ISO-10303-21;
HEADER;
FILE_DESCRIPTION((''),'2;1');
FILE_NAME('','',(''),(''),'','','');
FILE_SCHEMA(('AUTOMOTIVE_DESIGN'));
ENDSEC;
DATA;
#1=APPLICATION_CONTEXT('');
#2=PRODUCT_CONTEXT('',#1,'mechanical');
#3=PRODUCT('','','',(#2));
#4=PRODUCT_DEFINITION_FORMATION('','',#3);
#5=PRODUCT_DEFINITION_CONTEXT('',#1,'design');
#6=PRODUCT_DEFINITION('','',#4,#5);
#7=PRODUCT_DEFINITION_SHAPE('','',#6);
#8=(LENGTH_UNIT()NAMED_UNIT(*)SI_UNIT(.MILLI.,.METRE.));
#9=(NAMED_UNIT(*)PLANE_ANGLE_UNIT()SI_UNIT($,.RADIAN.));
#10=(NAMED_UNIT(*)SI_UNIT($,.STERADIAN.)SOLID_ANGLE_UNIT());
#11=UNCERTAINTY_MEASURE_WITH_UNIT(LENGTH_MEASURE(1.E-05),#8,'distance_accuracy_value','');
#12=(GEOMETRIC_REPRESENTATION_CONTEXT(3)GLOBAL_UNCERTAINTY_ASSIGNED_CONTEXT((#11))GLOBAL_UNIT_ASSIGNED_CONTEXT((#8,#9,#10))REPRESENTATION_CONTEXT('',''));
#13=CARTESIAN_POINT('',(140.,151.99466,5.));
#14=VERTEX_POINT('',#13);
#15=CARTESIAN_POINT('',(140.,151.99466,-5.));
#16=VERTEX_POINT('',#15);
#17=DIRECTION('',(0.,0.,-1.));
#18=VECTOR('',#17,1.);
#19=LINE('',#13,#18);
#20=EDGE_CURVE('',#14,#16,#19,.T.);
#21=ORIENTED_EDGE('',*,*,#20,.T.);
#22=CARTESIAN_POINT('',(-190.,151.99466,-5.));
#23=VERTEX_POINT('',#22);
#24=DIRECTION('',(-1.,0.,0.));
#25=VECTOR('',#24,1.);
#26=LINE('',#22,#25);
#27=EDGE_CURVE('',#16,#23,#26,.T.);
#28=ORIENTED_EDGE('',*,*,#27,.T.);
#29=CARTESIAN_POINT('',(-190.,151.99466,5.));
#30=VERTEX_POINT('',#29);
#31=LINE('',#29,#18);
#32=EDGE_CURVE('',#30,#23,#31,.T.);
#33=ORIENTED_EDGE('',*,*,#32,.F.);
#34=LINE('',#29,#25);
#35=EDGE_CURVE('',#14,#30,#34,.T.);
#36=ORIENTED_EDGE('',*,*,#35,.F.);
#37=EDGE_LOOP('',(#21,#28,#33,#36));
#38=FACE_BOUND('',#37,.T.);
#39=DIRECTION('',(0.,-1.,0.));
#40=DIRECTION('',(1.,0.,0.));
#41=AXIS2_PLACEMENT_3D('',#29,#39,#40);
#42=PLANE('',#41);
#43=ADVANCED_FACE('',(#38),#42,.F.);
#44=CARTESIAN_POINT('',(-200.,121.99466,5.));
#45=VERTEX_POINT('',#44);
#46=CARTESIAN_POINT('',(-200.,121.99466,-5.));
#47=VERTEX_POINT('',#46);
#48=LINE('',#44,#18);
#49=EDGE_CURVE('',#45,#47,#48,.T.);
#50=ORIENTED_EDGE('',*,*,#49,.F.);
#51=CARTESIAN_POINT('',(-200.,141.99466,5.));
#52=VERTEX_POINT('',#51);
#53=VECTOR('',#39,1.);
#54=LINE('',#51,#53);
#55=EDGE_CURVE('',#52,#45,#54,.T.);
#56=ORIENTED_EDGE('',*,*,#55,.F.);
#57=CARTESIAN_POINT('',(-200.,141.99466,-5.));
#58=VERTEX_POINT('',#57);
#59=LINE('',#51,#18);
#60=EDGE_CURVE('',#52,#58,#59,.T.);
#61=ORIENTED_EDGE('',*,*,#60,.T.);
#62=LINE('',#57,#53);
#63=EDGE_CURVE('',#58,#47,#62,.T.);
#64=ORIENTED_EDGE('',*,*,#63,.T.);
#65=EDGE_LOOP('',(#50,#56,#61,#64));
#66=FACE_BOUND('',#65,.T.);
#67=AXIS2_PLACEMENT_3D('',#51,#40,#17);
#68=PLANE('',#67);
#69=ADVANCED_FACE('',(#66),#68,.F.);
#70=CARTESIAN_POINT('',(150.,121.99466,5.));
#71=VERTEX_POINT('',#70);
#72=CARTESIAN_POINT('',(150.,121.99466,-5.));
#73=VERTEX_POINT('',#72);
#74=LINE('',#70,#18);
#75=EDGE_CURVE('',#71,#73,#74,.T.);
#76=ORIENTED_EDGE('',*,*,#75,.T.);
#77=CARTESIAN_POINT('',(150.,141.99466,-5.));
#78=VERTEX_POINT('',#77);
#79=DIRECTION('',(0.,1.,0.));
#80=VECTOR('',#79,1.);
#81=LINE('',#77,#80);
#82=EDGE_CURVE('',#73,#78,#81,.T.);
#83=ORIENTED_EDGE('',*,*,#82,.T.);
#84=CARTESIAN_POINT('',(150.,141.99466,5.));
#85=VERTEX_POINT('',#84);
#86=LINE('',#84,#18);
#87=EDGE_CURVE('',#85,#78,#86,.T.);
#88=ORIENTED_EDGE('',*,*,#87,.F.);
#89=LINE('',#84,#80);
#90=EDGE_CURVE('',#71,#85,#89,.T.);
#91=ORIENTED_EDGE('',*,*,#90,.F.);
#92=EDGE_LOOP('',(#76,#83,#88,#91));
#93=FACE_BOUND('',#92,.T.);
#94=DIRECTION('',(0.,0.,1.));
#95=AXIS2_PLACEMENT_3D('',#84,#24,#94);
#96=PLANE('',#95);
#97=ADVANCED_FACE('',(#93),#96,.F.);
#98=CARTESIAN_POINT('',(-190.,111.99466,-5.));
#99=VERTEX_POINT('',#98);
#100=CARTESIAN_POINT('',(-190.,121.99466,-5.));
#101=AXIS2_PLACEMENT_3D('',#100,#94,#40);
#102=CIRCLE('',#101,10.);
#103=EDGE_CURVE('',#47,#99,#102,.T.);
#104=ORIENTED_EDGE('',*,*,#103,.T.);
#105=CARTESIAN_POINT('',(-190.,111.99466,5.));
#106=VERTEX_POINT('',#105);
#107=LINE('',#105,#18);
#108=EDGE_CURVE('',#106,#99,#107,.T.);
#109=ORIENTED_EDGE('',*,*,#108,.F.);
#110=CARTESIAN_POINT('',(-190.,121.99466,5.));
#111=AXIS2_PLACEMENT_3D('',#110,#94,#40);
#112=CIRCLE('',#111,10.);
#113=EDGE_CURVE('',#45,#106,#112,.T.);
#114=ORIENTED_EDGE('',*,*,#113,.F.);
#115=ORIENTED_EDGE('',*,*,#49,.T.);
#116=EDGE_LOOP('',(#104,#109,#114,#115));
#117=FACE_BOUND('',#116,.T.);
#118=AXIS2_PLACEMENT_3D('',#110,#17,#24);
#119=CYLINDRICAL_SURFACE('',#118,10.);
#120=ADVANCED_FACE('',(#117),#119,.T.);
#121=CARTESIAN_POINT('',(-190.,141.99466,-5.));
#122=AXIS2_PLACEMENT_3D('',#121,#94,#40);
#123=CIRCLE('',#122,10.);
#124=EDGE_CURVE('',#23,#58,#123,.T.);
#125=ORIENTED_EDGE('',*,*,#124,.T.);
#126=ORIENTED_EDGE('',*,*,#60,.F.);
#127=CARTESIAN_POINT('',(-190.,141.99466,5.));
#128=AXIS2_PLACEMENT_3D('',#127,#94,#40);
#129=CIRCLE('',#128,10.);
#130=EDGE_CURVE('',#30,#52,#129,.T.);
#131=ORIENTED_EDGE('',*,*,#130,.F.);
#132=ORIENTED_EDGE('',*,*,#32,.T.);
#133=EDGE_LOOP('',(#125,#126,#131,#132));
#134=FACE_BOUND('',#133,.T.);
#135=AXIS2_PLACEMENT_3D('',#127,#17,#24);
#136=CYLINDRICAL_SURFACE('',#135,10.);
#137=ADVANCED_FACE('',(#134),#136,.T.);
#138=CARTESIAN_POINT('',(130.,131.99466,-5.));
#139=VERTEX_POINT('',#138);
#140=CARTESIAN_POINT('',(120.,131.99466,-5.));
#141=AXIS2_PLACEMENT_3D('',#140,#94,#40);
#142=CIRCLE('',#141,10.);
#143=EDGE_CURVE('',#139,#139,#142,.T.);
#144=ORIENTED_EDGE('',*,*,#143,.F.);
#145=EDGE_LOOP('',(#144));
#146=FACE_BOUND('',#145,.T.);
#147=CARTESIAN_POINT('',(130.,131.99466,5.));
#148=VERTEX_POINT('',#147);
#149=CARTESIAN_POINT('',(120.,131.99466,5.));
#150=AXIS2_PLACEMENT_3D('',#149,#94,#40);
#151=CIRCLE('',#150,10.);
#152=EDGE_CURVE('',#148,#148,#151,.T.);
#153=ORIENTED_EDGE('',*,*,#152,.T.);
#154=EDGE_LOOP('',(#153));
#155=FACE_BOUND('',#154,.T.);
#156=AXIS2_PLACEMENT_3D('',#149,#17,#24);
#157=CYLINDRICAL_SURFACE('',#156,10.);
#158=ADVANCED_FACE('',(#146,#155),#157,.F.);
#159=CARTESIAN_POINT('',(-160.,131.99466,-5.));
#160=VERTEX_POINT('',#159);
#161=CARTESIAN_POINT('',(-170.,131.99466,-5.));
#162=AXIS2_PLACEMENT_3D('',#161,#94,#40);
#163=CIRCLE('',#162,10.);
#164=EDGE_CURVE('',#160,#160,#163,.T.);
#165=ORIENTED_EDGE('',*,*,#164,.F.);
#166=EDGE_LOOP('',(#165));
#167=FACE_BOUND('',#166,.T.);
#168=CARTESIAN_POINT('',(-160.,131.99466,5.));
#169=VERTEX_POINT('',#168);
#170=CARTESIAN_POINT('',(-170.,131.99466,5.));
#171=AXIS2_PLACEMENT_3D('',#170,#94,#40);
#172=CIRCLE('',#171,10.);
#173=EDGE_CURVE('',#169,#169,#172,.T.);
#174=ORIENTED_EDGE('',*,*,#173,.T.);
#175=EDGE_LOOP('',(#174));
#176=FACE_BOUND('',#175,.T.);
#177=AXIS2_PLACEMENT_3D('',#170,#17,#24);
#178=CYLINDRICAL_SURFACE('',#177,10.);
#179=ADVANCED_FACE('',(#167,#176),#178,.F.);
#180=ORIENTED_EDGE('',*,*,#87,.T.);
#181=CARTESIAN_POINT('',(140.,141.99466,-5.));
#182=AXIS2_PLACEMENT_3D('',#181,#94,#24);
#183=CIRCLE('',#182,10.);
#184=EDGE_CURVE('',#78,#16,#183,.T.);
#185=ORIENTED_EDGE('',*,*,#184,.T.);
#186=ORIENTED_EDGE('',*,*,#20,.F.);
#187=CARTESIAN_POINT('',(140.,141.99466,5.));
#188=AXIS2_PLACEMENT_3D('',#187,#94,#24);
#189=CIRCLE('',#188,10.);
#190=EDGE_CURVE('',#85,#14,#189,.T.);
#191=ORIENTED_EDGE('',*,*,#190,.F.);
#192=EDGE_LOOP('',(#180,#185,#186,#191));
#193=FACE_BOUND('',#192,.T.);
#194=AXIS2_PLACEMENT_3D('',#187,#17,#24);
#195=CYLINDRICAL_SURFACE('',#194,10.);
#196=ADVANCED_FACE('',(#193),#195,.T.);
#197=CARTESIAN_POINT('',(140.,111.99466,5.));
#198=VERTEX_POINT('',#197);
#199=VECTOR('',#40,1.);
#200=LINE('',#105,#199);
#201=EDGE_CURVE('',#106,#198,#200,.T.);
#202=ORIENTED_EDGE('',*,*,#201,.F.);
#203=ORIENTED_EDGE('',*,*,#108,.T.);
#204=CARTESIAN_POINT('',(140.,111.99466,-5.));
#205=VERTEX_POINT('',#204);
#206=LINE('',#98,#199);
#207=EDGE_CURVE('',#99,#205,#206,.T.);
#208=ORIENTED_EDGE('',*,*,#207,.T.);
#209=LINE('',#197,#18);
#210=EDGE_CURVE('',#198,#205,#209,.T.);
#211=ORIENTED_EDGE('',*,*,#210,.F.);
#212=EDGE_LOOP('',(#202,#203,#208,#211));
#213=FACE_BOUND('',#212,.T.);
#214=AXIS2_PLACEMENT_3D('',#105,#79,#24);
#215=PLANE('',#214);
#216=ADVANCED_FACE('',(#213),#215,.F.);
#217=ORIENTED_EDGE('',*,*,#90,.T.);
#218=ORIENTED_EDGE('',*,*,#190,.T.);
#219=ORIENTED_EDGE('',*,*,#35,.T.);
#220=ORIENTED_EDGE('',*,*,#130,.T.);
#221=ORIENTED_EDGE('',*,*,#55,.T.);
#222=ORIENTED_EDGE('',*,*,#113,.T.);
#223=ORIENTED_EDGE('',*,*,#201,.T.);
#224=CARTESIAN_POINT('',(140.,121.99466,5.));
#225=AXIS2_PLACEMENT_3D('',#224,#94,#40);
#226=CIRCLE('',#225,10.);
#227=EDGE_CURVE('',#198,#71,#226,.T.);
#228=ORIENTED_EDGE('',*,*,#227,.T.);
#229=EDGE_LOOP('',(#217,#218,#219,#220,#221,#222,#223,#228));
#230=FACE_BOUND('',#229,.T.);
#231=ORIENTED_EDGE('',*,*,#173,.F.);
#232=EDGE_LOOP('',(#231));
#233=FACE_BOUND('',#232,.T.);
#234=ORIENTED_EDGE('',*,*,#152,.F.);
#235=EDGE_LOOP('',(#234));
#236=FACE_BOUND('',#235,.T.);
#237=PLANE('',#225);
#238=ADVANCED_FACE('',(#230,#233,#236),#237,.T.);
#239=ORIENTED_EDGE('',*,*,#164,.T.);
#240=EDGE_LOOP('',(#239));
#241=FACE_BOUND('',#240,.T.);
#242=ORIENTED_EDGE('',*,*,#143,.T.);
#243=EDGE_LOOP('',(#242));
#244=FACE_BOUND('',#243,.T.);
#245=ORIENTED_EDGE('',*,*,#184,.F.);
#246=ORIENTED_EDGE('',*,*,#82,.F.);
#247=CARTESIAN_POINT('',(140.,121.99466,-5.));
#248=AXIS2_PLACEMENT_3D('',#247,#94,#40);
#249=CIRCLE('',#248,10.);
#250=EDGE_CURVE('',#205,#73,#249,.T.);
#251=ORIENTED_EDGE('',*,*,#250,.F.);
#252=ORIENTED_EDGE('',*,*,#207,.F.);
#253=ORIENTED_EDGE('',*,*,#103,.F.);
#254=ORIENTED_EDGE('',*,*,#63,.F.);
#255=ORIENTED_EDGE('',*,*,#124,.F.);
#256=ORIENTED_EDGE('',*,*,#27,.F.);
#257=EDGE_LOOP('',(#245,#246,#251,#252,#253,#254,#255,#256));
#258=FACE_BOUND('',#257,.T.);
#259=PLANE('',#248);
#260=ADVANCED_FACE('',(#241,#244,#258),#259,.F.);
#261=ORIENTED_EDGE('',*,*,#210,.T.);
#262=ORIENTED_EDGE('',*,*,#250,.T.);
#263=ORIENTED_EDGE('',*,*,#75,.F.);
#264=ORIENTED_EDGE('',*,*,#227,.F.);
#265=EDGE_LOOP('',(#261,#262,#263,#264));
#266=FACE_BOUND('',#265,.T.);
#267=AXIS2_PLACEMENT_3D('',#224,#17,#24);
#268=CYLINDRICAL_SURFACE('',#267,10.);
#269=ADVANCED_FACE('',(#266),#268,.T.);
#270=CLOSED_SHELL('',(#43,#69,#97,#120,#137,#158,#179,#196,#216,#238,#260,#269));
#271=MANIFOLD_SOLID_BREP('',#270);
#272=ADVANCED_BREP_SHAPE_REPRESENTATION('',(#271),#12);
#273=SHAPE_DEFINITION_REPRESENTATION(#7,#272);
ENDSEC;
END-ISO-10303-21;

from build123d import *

# Parameters (mm, degrees)
SKETCH1_R           = 10
BOSS_EXTRUDE1_DEPTH = 5


with BuildPart() as part:
    # Sketch1 → Boss-Extrude1 (new body, symmetric)
    with BuildSketch(Plane.XY):
        with BuildLine():
            Line((-190, 151.994660309), (140, 151.994660309))
            ThreePointArc((140, 151.994660309), (147.071067812, 149.065728121), (150, 141.994660309))
            Line((150, 141.994660309), (150, 121.994660309))
            ThreePointArc((150, 121.994660309), (147.071067812, 114.923592497), (140, 111.994660309))
            Line((140, 111.994660309), (-190, 111.994660309))
            ThreePointArc((-190, 111.994660309), (-197.071067812, 114.923592497), (-200, 121.994660309))
            Line((-200, 121.994660309), (-200, 141.994660309))
            ThreePointArc((-200, 141.994660309), (-197.071067812, 149.065728121), (-190, 151.994660309))
        make_face()
        with Locations((-170, 131.994660309)):
            Circle(SKETCH1_R, mode=Mode.SUBTRACT)
        with Locations((120, 131.994660309)):
            Circle(SKETCH1_R, mode=Mode.SUBTRACT)
    extrude(amount=BOSS_EXTRUDE1_DEPTH, both=True)


solid = part.part
